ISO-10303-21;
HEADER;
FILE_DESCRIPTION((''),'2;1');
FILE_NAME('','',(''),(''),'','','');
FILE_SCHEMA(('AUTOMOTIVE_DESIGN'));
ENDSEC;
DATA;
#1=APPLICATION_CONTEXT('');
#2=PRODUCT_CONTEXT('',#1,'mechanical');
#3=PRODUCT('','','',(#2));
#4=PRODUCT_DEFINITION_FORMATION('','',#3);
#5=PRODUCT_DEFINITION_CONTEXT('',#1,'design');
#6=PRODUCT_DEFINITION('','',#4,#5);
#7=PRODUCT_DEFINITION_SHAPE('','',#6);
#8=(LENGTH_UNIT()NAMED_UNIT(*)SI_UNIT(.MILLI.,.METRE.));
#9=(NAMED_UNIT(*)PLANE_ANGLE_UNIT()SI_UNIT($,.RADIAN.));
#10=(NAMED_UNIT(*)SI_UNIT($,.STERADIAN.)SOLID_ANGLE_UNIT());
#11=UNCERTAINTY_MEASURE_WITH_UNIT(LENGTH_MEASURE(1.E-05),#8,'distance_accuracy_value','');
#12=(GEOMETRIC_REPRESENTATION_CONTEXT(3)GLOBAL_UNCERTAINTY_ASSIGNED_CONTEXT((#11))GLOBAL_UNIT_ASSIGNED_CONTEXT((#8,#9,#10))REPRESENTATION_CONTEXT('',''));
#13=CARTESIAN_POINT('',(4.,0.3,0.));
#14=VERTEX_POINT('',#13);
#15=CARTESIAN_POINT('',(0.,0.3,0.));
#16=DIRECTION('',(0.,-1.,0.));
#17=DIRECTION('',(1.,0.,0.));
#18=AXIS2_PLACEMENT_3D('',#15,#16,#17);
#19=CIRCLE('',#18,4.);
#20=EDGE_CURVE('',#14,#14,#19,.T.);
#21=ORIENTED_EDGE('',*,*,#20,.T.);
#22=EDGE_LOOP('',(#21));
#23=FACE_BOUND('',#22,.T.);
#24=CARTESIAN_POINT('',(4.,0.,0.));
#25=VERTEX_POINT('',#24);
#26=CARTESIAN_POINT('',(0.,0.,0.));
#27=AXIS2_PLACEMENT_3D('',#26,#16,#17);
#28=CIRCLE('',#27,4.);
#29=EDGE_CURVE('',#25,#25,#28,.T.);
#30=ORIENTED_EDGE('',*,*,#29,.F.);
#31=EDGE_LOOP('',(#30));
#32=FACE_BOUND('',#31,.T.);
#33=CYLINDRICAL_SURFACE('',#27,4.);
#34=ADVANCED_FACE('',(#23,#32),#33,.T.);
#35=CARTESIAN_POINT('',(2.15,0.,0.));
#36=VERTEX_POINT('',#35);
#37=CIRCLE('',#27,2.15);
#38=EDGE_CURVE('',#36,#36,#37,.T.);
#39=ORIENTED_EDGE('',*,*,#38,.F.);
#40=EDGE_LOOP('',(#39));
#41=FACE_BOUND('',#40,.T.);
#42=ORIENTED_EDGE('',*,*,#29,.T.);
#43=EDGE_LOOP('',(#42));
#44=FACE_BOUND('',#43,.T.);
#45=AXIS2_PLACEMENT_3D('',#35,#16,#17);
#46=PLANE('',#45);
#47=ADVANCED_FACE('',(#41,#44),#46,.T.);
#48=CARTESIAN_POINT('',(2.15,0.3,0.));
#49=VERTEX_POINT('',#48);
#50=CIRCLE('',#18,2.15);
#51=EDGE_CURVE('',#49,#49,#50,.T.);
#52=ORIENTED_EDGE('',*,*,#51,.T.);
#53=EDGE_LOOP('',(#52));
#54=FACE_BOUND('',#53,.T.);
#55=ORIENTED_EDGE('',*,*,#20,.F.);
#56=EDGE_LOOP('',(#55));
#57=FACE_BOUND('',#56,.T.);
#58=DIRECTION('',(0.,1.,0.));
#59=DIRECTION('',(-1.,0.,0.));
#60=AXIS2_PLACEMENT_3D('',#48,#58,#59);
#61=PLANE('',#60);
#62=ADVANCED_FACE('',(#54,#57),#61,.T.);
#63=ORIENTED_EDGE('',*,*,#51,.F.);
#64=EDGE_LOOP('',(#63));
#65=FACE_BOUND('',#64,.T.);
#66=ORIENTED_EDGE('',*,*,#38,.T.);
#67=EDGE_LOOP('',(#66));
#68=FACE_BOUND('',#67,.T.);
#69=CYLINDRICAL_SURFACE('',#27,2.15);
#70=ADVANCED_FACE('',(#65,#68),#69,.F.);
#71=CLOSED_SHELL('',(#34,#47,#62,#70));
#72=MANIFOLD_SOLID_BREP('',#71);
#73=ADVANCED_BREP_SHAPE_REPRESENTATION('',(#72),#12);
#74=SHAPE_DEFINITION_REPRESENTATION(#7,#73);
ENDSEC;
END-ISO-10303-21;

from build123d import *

# Parameters (mm, degrees)
SKETCH_1_W = 1.85
SKETCH_1_H = 0.3


with BuildPart() as part:
    # 草图1 → 旋转1 (revolve)
    with BuildSketch(Plane.XY):
        with Locations((3.075, 0.15)):
            Rectangle(SKETCH_1_W, SKETCH_1_H)
    revolve(axis=Axis((0, 0, 0), (0, 1, 0)))


solid = part.part
